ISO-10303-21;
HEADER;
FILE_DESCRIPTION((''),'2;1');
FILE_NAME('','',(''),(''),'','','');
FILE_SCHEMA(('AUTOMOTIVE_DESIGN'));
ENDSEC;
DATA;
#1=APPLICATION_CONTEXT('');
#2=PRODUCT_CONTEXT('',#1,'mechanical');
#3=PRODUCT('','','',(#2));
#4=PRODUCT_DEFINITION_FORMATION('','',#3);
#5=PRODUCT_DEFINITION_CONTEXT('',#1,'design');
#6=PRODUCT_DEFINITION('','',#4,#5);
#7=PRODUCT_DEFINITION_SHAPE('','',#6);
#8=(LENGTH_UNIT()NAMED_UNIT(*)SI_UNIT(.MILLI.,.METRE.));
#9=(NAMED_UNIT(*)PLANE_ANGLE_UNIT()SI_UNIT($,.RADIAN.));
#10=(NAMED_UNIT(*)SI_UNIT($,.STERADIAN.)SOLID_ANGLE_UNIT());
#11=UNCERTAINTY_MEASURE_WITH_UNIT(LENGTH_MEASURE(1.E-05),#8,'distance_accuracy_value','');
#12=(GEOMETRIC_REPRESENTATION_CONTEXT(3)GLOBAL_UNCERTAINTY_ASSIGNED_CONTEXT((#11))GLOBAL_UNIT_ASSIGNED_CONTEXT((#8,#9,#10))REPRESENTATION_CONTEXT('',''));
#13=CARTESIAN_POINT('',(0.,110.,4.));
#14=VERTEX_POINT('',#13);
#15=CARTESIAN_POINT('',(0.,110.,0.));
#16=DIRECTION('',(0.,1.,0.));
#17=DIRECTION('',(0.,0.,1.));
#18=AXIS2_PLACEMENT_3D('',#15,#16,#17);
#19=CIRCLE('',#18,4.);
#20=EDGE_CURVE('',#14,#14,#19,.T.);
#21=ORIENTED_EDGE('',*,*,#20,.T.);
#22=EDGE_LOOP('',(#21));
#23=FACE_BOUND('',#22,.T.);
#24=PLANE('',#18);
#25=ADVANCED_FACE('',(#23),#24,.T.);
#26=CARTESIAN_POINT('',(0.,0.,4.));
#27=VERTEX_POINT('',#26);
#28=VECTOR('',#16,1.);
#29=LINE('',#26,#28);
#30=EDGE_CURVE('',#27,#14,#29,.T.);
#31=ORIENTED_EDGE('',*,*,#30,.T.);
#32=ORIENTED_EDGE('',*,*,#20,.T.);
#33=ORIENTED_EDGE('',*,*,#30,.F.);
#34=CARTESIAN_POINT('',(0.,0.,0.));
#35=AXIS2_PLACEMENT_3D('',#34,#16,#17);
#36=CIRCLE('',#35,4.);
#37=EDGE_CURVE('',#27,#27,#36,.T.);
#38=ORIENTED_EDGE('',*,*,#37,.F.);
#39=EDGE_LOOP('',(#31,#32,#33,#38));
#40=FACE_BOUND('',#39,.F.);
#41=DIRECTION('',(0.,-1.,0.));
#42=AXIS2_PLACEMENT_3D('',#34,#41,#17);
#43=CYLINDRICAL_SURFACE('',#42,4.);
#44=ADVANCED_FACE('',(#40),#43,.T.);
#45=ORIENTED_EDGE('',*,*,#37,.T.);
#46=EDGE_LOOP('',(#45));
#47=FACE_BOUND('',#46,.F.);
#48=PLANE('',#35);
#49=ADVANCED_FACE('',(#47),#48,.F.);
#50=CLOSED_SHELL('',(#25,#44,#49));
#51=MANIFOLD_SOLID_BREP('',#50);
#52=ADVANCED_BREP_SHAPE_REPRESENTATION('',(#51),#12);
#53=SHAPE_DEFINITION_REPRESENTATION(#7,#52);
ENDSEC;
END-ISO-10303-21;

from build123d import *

# Parameters (mm, degrees)
SKETCH1_R           = 4
BOSS_EXTRUDE1_DEPTH = 110


with BuildPart() as part:
    # Sketch1 → Boss-Extrude1 (new body)
    with BuildSketch(Plane(origin=(0, 0, 0), x_dir=(1, 0, 0), z_dir=(0, 1, 0))):
        with Locations(Location((0, 0, 0), (0, 0, 270))):
            Circle(SKETCH1_R)
    extrude(amount=BOSS_EXTRUDE1_DEPTH)


solid = part.part
